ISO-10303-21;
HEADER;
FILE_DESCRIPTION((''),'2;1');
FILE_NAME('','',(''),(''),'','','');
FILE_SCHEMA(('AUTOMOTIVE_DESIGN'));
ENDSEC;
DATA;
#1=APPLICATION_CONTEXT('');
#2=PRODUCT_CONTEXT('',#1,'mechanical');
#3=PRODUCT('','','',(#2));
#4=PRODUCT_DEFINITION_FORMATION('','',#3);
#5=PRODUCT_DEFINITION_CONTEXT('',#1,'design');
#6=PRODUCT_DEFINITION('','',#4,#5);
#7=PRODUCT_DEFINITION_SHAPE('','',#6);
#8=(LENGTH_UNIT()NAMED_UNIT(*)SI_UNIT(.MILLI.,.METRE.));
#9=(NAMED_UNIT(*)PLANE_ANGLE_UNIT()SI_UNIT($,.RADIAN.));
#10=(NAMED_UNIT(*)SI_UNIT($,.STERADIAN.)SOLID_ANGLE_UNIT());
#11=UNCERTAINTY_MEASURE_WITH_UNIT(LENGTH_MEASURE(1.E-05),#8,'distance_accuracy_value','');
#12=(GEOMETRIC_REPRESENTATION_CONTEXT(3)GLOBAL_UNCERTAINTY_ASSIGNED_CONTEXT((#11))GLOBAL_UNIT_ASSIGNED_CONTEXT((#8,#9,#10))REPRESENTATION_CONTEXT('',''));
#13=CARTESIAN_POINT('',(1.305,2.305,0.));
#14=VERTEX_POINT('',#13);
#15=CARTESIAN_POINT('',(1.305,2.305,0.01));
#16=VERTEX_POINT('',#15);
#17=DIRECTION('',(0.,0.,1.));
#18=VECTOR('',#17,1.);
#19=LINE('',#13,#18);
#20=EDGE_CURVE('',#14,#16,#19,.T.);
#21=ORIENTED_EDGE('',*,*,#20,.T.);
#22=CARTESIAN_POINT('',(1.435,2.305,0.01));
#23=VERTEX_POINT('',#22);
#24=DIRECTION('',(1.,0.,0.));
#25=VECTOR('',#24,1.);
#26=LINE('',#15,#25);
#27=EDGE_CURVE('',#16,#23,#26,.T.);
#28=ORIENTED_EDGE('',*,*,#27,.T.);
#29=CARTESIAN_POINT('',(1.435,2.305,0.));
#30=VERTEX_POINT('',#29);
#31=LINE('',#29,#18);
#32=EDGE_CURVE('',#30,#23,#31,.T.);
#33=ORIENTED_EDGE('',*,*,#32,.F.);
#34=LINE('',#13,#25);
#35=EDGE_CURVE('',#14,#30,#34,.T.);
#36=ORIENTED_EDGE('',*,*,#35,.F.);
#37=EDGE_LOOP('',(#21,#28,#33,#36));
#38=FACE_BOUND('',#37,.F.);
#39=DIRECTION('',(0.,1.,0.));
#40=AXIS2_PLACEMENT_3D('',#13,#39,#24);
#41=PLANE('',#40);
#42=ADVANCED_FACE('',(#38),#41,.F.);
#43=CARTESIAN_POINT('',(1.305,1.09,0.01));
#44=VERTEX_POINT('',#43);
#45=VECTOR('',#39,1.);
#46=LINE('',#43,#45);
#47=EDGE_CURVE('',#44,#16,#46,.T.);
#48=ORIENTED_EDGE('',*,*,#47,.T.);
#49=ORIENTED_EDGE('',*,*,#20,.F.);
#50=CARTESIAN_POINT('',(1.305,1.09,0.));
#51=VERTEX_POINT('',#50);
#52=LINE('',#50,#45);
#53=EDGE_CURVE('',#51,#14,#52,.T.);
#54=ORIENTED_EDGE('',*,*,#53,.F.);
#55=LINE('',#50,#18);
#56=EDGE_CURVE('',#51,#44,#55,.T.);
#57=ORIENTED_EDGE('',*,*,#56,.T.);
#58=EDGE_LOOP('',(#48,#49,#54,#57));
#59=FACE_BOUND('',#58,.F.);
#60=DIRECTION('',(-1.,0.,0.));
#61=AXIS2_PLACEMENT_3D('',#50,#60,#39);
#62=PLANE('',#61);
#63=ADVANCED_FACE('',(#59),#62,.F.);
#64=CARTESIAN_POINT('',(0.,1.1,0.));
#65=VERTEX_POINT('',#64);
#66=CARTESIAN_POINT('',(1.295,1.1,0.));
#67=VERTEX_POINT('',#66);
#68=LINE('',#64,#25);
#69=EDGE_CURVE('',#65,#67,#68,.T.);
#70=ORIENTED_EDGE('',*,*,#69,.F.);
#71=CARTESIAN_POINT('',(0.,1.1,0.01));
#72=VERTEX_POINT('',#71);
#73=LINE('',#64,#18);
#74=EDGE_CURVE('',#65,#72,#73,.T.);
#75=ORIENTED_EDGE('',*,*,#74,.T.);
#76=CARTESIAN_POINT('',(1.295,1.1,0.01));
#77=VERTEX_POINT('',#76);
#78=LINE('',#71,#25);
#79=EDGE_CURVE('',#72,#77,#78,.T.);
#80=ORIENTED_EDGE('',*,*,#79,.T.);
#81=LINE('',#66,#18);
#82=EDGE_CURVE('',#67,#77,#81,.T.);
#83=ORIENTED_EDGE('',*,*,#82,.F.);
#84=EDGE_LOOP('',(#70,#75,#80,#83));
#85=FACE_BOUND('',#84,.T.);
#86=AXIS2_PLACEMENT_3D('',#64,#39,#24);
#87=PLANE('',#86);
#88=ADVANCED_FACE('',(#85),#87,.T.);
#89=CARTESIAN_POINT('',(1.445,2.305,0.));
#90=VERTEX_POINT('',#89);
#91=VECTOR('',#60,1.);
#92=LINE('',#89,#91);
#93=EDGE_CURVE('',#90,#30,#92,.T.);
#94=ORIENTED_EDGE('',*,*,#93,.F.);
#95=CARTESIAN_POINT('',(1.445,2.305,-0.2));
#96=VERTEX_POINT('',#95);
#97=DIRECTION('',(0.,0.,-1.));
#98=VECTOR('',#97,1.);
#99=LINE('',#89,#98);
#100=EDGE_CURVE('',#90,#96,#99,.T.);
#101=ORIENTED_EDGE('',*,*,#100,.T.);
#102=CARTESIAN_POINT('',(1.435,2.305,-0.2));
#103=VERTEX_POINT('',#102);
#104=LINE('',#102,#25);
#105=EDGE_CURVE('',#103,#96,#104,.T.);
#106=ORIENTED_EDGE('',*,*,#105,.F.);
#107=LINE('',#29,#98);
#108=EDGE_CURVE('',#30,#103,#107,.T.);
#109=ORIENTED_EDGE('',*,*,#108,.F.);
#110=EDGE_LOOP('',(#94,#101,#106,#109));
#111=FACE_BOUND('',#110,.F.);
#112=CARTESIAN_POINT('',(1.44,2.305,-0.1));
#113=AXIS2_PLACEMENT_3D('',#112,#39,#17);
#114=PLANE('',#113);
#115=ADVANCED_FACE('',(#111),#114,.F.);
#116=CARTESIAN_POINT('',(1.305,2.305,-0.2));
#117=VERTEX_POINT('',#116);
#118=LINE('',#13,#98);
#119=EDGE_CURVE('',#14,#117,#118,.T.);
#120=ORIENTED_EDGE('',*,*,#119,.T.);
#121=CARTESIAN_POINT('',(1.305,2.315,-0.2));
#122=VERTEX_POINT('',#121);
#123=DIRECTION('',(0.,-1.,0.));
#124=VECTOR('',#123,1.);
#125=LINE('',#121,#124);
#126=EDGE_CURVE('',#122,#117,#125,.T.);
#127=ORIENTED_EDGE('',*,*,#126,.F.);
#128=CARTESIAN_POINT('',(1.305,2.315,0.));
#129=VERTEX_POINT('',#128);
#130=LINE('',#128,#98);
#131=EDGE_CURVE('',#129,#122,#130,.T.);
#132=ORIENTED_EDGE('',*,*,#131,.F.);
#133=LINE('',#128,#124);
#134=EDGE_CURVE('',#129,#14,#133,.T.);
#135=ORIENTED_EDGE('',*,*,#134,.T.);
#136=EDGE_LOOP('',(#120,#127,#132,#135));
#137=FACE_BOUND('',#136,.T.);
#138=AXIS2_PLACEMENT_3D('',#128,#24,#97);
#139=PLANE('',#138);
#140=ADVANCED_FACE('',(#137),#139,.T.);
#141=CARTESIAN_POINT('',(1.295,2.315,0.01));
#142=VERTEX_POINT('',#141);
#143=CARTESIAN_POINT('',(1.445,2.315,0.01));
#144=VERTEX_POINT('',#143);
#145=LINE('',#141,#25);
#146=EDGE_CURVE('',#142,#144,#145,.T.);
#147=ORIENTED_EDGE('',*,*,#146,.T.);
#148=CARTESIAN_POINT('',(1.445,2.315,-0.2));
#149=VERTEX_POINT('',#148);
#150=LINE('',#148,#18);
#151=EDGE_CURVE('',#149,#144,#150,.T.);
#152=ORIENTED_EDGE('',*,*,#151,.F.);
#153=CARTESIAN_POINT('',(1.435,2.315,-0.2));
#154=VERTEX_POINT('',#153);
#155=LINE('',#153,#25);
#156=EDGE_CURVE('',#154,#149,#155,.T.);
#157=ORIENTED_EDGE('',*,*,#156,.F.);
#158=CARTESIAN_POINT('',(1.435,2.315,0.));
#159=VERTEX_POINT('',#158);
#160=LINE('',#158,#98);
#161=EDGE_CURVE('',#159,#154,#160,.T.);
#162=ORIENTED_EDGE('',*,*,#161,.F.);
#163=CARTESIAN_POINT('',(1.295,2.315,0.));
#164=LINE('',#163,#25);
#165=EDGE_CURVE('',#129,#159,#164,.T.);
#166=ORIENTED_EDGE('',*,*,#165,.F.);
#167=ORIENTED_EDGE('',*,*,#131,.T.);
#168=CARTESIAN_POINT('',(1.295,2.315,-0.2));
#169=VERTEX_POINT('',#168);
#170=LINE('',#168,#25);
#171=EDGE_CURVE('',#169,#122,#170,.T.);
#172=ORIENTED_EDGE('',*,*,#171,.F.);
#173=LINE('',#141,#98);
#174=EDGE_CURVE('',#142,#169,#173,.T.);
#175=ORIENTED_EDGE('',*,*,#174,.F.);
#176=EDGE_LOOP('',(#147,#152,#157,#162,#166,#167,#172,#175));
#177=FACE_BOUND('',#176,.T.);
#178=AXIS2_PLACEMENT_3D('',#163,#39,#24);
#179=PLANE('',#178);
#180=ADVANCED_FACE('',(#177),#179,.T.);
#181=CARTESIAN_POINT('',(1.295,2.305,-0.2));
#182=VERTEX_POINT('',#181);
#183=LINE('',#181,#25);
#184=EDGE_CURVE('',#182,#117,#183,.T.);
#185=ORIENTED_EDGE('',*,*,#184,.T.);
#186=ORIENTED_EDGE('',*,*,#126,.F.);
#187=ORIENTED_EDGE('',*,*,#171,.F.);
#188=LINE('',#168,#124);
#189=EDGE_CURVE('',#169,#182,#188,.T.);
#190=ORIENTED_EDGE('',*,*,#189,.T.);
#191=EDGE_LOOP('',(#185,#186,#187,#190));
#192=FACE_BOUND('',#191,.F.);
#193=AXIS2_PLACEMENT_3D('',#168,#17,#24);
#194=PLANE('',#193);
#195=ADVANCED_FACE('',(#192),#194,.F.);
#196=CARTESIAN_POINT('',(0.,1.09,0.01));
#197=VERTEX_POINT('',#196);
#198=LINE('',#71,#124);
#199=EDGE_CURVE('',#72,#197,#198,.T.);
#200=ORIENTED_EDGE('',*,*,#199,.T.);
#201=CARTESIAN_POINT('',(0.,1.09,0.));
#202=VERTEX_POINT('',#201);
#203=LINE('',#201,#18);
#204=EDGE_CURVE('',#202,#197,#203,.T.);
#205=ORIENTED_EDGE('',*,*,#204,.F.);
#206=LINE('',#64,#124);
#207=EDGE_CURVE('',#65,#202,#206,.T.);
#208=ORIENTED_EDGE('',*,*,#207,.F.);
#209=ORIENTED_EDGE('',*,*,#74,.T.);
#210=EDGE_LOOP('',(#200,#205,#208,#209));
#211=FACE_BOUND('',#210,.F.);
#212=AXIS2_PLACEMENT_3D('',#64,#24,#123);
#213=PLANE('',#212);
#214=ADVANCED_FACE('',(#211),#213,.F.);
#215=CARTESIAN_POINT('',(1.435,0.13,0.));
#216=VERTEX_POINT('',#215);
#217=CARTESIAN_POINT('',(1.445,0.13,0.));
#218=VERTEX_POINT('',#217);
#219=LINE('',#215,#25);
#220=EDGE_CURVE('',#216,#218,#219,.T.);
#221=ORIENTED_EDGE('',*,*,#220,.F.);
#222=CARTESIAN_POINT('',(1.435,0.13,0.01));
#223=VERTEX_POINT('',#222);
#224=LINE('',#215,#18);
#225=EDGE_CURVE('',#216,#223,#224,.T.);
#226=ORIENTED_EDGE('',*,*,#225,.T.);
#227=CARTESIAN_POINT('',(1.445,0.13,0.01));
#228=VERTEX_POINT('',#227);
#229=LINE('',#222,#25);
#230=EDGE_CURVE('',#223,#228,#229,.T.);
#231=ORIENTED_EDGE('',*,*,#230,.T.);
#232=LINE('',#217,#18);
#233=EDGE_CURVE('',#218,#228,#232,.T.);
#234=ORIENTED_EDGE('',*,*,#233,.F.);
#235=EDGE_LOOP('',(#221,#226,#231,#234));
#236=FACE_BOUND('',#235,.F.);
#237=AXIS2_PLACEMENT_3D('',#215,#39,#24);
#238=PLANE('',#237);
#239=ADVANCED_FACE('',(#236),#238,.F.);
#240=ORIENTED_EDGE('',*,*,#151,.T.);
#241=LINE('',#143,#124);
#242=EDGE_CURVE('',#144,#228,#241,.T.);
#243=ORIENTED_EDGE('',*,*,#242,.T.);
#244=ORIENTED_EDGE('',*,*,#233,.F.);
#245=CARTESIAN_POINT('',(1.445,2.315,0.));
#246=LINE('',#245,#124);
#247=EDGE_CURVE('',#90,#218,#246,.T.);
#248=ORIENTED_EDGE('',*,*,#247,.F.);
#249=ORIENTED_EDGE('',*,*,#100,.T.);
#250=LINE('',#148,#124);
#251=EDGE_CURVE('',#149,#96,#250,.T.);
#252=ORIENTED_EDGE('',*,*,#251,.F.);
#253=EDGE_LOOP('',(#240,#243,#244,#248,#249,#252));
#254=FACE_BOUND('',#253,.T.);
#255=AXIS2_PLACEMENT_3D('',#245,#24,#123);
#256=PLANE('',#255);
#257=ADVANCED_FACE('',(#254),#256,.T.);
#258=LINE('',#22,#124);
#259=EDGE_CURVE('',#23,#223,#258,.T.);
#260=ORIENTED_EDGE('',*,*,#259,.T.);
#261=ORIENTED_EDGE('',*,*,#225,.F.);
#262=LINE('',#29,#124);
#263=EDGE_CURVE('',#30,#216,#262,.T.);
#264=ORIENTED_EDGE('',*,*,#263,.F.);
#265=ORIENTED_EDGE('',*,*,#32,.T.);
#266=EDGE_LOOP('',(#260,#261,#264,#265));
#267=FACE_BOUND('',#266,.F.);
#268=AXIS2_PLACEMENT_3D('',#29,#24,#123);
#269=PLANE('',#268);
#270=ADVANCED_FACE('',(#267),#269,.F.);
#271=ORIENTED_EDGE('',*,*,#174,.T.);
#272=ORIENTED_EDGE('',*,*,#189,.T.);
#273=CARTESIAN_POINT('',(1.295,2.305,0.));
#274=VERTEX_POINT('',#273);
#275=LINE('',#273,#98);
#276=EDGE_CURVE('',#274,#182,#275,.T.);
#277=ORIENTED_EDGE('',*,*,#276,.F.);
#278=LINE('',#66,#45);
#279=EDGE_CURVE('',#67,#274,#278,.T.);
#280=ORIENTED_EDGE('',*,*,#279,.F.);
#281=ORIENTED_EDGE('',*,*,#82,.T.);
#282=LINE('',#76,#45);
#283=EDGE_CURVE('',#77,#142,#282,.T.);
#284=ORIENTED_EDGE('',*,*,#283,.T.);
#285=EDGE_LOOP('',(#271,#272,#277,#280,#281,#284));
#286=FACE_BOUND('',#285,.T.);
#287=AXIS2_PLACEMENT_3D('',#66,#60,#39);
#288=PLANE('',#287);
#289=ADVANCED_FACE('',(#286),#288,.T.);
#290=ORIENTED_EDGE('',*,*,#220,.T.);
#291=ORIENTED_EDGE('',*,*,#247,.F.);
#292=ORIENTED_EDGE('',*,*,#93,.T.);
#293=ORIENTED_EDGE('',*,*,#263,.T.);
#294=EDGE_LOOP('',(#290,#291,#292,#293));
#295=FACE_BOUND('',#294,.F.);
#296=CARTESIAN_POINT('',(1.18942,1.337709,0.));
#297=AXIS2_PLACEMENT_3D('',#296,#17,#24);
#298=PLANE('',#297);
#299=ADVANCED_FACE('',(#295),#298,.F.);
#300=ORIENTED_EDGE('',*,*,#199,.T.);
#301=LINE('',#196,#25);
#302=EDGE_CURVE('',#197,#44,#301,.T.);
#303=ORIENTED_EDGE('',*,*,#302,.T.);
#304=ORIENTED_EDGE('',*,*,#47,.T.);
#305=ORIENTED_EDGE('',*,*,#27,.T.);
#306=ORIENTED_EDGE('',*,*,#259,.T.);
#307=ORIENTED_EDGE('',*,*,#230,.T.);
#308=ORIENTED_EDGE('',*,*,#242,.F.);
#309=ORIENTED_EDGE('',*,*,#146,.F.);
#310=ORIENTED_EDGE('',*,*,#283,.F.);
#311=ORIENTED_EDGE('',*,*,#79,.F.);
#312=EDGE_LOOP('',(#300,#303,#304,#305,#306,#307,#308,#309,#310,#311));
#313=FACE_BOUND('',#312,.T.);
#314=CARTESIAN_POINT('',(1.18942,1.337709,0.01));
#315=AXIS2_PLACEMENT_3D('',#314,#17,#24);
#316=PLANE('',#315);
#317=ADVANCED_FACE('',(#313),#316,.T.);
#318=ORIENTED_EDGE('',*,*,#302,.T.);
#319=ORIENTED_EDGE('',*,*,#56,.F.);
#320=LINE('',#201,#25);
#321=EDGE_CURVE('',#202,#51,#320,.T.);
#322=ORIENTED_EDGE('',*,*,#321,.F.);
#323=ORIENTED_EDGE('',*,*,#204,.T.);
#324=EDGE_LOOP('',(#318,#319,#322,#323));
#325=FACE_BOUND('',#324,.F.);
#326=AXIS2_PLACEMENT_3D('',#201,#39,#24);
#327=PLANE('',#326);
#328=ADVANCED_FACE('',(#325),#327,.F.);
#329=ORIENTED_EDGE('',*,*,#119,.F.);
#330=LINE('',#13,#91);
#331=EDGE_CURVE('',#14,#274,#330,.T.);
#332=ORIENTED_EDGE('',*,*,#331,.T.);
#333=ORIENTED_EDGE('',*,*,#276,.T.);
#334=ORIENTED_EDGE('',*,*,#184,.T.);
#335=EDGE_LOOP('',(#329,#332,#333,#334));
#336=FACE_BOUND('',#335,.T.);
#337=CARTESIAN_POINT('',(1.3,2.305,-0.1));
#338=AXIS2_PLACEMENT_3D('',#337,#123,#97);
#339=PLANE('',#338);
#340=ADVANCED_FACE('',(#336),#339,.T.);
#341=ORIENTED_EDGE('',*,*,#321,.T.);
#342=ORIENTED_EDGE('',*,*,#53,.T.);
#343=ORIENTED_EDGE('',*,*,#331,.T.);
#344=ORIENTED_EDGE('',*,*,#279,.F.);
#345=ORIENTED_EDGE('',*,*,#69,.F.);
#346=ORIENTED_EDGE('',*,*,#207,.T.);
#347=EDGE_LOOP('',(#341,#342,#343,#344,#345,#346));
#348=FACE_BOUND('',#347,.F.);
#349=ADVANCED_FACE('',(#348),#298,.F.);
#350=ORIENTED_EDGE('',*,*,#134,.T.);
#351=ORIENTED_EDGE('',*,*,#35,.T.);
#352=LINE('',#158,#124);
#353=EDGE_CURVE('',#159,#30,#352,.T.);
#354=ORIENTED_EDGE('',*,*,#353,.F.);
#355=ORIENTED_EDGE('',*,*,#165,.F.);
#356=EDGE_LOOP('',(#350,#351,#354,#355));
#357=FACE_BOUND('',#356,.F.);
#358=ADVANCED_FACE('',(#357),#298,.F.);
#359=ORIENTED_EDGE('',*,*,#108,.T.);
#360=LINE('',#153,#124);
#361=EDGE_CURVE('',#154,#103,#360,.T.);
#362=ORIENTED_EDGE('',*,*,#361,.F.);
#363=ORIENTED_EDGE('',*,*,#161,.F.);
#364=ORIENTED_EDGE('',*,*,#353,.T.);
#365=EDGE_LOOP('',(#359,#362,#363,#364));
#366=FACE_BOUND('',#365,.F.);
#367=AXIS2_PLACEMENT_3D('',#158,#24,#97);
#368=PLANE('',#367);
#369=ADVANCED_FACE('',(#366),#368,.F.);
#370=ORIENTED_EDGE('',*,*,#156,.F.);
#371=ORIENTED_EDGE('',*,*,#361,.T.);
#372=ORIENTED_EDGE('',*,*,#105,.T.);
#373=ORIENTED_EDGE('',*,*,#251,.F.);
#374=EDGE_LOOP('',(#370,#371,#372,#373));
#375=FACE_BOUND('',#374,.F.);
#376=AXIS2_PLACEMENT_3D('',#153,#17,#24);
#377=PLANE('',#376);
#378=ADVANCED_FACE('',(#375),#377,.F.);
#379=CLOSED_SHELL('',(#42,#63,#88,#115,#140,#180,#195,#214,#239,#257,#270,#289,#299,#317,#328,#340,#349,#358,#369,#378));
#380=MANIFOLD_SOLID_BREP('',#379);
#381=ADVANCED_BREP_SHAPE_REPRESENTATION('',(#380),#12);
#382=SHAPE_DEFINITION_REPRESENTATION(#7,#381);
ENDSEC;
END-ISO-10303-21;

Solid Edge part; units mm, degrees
sketch "Sketch1" plane through (0, 0, 0) normal (0, 0, 1) x (1, 0, 0)
  line L0 (1.305, 1.09) -> (1.305, 2.305)
  line L1 (1.305, 2.305) -> (1.435, 2.305)
  line L2 (1.435, 2.305) -> (1.435, 0.13)
  line L3 (1.435, 0.13) -> (1.445, 0.13)
  line L4 (1.445, 2.315) -> (1.445, 0.13)
  line L5 (1.295, 2.315) -> (1.445, 2.315)
  line L6 (1.295, 1.1) -> (1.295, 2.315)
  line L7 (0, 1.1) -> (1.295, 1.1)
  line L8 (0, 1.1) -> (0, 1.09)
  line L9 (0, 1.09) -> (1.305, 1.09)
extrude "Protrusion1" add sketch "Sketch1" along normal blind 0.01
sketch "Sketch2" plane through (1.37, 2.315, 0.005) normal (0, 1, 0) x (1, 0, 0)
  line L0 (0.075, 0.005) -> (0.075, 0.205)
  line L1 (0.065, 0.205) -> (0.075, 0.205)
  line L2 (0.065, 0.005) -> (0.065, 0.205)
  line L3 (0.075, 0.005) -> (0.065, 0.005)
  line L4 (-0.065, 0.005) -> (-0.075, 0.005)
  line L5 (-0.075, 0.005) -> (-0.075, 0.205)
  line L6 (-0.075, 0.205) -> (-0.065, 0.205)
  line L7 (-0.065, 0.005) -> (-0.065, 0.205)
  dimension "D1" = 0.01
  dimension "D2" = 0.2
extrude "Ausprägung_2" add sketch "Sketch2" against normal blind 0.01
